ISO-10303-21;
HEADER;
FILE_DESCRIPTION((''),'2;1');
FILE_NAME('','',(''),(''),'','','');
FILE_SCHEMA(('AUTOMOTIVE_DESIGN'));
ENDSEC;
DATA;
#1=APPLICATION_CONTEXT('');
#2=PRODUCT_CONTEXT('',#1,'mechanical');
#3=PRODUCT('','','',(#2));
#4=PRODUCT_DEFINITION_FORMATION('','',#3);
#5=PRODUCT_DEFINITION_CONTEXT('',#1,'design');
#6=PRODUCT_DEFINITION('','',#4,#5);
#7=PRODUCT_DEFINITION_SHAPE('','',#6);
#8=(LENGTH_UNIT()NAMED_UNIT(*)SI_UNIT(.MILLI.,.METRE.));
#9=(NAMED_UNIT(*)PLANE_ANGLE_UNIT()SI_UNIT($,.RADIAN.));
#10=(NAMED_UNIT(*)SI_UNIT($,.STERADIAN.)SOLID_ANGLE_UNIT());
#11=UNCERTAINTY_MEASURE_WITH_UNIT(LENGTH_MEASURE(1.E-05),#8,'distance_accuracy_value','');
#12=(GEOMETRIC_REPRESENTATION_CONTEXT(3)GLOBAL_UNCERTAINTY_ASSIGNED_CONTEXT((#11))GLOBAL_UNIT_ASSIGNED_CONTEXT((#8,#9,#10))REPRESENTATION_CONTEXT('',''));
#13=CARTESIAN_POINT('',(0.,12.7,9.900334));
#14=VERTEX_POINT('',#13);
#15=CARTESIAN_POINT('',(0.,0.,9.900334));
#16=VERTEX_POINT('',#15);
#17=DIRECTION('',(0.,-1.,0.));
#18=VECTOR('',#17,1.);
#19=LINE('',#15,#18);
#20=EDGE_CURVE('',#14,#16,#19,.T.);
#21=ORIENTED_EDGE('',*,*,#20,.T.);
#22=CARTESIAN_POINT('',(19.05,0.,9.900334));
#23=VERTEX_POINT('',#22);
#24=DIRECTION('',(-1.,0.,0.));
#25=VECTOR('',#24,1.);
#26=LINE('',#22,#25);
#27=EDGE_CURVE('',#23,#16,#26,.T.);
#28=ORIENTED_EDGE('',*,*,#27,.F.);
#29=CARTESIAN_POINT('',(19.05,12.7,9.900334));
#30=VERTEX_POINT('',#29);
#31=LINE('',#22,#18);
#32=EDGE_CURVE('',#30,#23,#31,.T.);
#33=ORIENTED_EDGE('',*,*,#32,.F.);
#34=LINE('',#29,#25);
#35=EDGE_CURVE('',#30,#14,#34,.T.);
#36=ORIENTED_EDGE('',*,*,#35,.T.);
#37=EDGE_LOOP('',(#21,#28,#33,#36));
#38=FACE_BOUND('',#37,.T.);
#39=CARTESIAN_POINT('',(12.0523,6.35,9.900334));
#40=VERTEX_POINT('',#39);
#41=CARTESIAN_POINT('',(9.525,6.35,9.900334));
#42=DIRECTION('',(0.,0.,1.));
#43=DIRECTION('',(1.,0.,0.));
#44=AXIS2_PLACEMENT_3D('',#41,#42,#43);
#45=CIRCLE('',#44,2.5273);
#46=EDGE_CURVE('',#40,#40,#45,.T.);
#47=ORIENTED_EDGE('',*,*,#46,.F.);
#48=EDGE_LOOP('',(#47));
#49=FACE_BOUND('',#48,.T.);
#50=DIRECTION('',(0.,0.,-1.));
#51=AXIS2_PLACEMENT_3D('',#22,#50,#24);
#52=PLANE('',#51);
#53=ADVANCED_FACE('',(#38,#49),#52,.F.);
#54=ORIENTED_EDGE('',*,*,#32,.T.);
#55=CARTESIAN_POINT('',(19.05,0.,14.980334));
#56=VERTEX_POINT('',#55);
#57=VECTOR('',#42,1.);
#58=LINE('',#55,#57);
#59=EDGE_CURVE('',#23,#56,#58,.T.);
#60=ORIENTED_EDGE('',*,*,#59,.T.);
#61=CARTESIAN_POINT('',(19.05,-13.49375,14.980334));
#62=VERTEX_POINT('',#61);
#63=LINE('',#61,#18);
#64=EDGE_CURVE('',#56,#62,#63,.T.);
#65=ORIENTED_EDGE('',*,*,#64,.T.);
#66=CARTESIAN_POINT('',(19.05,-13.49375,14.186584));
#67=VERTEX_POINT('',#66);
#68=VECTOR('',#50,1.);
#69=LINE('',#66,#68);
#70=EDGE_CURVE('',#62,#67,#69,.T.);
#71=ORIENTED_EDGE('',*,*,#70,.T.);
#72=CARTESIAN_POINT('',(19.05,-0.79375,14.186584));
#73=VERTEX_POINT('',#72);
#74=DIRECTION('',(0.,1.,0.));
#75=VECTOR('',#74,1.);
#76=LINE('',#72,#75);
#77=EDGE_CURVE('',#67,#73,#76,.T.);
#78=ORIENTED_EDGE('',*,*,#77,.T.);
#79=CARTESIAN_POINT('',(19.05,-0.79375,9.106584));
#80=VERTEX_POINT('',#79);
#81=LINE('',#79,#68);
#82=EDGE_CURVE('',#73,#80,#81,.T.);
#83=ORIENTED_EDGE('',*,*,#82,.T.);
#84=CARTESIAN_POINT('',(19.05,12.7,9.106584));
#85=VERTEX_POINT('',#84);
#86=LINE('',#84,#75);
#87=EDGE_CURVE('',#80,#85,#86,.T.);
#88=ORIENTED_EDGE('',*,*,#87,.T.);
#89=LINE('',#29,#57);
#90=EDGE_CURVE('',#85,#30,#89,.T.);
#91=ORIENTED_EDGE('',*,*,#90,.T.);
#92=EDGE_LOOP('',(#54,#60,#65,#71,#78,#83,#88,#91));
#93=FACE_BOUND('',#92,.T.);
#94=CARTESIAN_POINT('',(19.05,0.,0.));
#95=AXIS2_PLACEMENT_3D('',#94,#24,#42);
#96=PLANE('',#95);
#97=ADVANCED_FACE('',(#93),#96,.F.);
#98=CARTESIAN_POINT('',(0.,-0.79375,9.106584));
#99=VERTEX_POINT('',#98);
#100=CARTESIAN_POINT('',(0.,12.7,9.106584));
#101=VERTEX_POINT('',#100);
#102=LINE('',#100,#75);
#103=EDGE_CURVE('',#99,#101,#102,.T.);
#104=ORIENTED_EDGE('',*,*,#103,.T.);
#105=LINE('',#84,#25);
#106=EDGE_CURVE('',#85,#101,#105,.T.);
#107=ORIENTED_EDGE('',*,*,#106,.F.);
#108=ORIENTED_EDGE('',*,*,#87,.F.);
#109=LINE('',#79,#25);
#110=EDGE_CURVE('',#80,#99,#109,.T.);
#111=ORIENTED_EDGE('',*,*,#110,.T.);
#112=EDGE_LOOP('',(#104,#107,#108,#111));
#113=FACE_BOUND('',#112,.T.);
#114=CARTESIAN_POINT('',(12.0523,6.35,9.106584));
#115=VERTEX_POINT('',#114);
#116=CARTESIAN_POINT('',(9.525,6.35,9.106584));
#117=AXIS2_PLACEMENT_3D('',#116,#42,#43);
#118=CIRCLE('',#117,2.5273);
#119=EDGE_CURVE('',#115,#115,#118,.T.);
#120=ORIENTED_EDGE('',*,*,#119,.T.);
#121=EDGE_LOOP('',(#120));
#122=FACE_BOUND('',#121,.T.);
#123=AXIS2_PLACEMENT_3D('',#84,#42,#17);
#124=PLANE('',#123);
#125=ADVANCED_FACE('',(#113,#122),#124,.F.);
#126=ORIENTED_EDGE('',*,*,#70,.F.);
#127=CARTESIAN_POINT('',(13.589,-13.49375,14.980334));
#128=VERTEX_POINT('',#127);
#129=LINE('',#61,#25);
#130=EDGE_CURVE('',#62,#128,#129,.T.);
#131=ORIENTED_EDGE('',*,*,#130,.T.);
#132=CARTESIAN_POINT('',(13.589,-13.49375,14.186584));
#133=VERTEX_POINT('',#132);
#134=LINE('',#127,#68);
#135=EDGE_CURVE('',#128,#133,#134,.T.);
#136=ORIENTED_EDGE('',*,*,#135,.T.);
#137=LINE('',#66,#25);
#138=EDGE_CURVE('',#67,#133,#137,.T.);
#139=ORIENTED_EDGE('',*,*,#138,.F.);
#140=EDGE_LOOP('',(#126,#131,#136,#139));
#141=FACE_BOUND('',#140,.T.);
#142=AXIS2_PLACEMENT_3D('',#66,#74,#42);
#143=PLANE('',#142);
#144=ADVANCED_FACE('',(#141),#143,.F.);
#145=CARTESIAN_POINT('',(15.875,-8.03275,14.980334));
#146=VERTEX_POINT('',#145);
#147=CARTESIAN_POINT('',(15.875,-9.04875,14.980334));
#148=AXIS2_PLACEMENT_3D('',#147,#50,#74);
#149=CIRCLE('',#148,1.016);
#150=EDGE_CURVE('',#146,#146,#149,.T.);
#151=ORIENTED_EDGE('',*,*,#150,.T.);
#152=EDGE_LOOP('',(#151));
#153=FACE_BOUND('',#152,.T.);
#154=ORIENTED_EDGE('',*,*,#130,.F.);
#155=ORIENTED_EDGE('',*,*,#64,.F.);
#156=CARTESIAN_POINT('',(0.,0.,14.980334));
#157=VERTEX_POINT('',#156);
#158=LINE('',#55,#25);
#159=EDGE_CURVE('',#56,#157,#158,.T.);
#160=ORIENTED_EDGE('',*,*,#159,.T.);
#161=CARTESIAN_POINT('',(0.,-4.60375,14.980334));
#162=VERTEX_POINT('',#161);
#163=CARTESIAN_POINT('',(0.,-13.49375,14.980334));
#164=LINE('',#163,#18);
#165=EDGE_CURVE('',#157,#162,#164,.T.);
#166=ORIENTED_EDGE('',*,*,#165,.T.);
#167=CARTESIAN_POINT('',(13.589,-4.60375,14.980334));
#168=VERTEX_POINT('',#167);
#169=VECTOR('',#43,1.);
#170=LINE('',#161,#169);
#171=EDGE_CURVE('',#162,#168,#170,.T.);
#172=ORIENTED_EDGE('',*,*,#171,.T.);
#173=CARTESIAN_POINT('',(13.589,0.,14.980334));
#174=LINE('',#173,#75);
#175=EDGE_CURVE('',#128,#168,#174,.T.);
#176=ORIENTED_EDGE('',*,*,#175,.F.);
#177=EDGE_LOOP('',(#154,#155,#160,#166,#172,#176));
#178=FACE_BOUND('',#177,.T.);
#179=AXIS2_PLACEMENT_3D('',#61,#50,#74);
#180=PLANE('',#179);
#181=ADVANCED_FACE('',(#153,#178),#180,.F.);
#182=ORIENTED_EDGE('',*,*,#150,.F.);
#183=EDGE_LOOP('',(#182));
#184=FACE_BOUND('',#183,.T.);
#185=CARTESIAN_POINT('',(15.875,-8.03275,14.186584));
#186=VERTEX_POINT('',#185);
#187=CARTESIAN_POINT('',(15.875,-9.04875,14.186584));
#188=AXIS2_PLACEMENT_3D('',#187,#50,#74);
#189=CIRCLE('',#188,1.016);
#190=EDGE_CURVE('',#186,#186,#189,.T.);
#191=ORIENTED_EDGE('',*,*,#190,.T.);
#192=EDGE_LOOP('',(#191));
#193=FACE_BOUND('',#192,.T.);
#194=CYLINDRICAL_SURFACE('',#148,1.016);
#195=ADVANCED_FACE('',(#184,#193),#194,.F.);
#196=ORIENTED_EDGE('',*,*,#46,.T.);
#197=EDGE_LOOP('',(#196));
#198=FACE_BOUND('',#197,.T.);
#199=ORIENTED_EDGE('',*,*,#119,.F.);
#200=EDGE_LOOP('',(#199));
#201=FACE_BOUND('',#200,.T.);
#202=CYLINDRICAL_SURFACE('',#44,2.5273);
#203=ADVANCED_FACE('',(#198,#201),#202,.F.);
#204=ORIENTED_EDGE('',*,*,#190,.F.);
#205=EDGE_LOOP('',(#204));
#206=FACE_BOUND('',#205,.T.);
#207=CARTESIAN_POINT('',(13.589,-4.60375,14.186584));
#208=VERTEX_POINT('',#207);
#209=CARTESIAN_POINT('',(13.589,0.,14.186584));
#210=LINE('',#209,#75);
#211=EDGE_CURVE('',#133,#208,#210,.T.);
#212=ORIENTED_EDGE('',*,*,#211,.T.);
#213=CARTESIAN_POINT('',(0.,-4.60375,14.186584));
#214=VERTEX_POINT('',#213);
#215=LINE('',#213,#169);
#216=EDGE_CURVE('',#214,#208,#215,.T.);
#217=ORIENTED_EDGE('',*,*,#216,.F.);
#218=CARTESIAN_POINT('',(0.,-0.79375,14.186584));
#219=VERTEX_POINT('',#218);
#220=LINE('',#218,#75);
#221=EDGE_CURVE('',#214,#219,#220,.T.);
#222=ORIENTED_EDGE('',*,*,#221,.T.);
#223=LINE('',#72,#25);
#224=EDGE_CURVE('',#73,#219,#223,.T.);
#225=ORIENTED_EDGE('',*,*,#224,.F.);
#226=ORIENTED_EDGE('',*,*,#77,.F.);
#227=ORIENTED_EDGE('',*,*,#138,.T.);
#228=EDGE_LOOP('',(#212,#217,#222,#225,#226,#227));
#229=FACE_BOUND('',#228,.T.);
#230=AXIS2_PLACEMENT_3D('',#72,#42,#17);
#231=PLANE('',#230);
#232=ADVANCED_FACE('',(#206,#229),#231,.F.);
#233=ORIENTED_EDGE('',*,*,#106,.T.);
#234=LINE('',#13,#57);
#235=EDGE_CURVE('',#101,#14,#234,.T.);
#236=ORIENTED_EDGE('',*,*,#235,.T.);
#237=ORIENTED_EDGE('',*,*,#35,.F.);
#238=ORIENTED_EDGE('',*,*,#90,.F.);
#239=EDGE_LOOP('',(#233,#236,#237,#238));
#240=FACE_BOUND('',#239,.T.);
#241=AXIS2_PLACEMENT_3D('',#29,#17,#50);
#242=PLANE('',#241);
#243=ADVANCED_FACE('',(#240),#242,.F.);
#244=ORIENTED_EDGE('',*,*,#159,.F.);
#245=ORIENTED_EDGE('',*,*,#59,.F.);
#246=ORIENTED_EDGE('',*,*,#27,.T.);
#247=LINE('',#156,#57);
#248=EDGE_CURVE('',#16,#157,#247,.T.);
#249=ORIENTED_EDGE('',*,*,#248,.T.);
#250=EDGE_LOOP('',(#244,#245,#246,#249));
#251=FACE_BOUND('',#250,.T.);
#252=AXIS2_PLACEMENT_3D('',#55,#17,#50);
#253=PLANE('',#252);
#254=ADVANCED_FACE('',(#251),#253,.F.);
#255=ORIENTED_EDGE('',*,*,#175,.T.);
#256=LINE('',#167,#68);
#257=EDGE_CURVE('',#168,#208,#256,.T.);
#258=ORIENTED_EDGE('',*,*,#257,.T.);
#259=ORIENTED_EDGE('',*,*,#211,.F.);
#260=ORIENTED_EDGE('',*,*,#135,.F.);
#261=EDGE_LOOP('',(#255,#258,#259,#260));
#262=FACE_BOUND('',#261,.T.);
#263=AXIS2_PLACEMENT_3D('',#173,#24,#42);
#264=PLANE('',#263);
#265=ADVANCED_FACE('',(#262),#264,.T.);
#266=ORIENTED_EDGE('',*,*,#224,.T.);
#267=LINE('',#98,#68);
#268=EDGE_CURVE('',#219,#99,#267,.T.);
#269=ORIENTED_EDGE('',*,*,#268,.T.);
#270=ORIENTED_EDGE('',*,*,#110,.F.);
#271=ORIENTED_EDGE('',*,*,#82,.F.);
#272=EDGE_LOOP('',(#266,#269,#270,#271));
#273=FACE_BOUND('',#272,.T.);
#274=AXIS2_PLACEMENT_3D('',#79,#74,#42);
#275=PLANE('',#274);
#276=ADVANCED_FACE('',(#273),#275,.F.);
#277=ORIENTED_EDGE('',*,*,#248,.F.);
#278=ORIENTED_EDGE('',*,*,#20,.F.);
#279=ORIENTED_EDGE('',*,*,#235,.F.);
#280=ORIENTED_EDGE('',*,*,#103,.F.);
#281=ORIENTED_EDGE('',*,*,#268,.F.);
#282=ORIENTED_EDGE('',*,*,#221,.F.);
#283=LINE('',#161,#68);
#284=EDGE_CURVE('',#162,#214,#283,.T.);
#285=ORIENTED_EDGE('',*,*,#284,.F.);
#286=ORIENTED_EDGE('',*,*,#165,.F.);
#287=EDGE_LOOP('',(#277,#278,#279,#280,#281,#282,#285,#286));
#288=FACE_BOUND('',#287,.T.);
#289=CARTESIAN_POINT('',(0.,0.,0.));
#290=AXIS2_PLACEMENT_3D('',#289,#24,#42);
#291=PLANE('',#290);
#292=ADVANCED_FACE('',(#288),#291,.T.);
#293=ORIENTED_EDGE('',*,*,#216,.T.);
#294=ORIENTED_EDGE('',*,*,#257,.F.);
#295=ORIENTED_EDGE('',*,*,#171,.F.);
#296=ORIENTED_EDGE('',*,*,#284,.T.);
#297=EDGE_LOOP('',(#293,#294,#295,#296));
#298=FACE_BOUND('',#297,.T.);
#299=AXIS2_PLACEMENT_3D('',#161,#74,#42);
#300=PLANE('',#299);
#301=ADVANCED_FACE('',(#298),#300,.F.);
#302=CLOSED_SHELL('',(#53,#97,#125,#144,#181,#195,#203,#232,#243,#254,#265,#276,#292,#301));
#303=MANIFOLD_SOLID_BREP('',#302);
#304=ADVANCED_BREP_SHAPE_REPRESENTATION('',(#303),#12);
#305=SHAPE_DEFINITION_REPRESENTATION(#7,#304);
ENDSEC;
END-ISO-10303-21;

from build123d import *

# Parameters (mm, degrees)
BOSS_EXTRUDE1_DEPTH        = 19.05
F_8_0_199_DIAMETER_HOLE1_D = 5.0546
SKETCH4_R                  = 1.016
SKETCH4_W                  = 13.589
SKETCH4_H                  = 8.89
CUT_EXTRUDE1_DEPTH         = 24.89121573


with BuildPart() as part:
    # Sketch1 → Boss-Extrude1 (new body)
    with BuildSketch(Plane(origin=(0, 0, 0), x_dir=(0, 0, -1), z_dir=(1, 0, 0))):
        Polygon((-14.980334091, -13.49375), (-14.980334091, 0), (-9.900334091, 0), (-9.900334091, 12.7), (-9.106584091, 12.7), (-9.106584091, -0.79375), (-14.186584091, -0.79375), (-14.186584091, -13.49375), align=None)
    extrude(amount=BOSS_EXTRUDE1_DEPTH)

    # #8 (0.199) Diameter Hole1 (through all)
    with Locations(Plane(origin=(9.525, 6.35, 9.900334091), x_dir=(1, 0, 0), z_dir=(0, 0, 1))):
        with Locations((0, 0)):
            Hole(F_8_0_199_DIAMETER_HOLE1_D / 2)

    # Sketch4 → Cut-Extrude1 (cut, through all)
    with BuildSketch(Plane(origin=(0, 0, 14.186584091), x_dir=(-1, 0, 0), z_dir=(0, 0, -1))):
        with Locations(Location((-15.875, -9.04875, 0), (0, 0, 90))):
            Circle(SKETCH4_R)
        with Locations((-6.7945, -9.04875)):
            Rectangle(SKETCH4_W, SKETCH4_H)
    extrude(amount=-CUT_EXTRUDE1_DEPTH, mode=Mode.SUBTRACT)


solid = part.part
